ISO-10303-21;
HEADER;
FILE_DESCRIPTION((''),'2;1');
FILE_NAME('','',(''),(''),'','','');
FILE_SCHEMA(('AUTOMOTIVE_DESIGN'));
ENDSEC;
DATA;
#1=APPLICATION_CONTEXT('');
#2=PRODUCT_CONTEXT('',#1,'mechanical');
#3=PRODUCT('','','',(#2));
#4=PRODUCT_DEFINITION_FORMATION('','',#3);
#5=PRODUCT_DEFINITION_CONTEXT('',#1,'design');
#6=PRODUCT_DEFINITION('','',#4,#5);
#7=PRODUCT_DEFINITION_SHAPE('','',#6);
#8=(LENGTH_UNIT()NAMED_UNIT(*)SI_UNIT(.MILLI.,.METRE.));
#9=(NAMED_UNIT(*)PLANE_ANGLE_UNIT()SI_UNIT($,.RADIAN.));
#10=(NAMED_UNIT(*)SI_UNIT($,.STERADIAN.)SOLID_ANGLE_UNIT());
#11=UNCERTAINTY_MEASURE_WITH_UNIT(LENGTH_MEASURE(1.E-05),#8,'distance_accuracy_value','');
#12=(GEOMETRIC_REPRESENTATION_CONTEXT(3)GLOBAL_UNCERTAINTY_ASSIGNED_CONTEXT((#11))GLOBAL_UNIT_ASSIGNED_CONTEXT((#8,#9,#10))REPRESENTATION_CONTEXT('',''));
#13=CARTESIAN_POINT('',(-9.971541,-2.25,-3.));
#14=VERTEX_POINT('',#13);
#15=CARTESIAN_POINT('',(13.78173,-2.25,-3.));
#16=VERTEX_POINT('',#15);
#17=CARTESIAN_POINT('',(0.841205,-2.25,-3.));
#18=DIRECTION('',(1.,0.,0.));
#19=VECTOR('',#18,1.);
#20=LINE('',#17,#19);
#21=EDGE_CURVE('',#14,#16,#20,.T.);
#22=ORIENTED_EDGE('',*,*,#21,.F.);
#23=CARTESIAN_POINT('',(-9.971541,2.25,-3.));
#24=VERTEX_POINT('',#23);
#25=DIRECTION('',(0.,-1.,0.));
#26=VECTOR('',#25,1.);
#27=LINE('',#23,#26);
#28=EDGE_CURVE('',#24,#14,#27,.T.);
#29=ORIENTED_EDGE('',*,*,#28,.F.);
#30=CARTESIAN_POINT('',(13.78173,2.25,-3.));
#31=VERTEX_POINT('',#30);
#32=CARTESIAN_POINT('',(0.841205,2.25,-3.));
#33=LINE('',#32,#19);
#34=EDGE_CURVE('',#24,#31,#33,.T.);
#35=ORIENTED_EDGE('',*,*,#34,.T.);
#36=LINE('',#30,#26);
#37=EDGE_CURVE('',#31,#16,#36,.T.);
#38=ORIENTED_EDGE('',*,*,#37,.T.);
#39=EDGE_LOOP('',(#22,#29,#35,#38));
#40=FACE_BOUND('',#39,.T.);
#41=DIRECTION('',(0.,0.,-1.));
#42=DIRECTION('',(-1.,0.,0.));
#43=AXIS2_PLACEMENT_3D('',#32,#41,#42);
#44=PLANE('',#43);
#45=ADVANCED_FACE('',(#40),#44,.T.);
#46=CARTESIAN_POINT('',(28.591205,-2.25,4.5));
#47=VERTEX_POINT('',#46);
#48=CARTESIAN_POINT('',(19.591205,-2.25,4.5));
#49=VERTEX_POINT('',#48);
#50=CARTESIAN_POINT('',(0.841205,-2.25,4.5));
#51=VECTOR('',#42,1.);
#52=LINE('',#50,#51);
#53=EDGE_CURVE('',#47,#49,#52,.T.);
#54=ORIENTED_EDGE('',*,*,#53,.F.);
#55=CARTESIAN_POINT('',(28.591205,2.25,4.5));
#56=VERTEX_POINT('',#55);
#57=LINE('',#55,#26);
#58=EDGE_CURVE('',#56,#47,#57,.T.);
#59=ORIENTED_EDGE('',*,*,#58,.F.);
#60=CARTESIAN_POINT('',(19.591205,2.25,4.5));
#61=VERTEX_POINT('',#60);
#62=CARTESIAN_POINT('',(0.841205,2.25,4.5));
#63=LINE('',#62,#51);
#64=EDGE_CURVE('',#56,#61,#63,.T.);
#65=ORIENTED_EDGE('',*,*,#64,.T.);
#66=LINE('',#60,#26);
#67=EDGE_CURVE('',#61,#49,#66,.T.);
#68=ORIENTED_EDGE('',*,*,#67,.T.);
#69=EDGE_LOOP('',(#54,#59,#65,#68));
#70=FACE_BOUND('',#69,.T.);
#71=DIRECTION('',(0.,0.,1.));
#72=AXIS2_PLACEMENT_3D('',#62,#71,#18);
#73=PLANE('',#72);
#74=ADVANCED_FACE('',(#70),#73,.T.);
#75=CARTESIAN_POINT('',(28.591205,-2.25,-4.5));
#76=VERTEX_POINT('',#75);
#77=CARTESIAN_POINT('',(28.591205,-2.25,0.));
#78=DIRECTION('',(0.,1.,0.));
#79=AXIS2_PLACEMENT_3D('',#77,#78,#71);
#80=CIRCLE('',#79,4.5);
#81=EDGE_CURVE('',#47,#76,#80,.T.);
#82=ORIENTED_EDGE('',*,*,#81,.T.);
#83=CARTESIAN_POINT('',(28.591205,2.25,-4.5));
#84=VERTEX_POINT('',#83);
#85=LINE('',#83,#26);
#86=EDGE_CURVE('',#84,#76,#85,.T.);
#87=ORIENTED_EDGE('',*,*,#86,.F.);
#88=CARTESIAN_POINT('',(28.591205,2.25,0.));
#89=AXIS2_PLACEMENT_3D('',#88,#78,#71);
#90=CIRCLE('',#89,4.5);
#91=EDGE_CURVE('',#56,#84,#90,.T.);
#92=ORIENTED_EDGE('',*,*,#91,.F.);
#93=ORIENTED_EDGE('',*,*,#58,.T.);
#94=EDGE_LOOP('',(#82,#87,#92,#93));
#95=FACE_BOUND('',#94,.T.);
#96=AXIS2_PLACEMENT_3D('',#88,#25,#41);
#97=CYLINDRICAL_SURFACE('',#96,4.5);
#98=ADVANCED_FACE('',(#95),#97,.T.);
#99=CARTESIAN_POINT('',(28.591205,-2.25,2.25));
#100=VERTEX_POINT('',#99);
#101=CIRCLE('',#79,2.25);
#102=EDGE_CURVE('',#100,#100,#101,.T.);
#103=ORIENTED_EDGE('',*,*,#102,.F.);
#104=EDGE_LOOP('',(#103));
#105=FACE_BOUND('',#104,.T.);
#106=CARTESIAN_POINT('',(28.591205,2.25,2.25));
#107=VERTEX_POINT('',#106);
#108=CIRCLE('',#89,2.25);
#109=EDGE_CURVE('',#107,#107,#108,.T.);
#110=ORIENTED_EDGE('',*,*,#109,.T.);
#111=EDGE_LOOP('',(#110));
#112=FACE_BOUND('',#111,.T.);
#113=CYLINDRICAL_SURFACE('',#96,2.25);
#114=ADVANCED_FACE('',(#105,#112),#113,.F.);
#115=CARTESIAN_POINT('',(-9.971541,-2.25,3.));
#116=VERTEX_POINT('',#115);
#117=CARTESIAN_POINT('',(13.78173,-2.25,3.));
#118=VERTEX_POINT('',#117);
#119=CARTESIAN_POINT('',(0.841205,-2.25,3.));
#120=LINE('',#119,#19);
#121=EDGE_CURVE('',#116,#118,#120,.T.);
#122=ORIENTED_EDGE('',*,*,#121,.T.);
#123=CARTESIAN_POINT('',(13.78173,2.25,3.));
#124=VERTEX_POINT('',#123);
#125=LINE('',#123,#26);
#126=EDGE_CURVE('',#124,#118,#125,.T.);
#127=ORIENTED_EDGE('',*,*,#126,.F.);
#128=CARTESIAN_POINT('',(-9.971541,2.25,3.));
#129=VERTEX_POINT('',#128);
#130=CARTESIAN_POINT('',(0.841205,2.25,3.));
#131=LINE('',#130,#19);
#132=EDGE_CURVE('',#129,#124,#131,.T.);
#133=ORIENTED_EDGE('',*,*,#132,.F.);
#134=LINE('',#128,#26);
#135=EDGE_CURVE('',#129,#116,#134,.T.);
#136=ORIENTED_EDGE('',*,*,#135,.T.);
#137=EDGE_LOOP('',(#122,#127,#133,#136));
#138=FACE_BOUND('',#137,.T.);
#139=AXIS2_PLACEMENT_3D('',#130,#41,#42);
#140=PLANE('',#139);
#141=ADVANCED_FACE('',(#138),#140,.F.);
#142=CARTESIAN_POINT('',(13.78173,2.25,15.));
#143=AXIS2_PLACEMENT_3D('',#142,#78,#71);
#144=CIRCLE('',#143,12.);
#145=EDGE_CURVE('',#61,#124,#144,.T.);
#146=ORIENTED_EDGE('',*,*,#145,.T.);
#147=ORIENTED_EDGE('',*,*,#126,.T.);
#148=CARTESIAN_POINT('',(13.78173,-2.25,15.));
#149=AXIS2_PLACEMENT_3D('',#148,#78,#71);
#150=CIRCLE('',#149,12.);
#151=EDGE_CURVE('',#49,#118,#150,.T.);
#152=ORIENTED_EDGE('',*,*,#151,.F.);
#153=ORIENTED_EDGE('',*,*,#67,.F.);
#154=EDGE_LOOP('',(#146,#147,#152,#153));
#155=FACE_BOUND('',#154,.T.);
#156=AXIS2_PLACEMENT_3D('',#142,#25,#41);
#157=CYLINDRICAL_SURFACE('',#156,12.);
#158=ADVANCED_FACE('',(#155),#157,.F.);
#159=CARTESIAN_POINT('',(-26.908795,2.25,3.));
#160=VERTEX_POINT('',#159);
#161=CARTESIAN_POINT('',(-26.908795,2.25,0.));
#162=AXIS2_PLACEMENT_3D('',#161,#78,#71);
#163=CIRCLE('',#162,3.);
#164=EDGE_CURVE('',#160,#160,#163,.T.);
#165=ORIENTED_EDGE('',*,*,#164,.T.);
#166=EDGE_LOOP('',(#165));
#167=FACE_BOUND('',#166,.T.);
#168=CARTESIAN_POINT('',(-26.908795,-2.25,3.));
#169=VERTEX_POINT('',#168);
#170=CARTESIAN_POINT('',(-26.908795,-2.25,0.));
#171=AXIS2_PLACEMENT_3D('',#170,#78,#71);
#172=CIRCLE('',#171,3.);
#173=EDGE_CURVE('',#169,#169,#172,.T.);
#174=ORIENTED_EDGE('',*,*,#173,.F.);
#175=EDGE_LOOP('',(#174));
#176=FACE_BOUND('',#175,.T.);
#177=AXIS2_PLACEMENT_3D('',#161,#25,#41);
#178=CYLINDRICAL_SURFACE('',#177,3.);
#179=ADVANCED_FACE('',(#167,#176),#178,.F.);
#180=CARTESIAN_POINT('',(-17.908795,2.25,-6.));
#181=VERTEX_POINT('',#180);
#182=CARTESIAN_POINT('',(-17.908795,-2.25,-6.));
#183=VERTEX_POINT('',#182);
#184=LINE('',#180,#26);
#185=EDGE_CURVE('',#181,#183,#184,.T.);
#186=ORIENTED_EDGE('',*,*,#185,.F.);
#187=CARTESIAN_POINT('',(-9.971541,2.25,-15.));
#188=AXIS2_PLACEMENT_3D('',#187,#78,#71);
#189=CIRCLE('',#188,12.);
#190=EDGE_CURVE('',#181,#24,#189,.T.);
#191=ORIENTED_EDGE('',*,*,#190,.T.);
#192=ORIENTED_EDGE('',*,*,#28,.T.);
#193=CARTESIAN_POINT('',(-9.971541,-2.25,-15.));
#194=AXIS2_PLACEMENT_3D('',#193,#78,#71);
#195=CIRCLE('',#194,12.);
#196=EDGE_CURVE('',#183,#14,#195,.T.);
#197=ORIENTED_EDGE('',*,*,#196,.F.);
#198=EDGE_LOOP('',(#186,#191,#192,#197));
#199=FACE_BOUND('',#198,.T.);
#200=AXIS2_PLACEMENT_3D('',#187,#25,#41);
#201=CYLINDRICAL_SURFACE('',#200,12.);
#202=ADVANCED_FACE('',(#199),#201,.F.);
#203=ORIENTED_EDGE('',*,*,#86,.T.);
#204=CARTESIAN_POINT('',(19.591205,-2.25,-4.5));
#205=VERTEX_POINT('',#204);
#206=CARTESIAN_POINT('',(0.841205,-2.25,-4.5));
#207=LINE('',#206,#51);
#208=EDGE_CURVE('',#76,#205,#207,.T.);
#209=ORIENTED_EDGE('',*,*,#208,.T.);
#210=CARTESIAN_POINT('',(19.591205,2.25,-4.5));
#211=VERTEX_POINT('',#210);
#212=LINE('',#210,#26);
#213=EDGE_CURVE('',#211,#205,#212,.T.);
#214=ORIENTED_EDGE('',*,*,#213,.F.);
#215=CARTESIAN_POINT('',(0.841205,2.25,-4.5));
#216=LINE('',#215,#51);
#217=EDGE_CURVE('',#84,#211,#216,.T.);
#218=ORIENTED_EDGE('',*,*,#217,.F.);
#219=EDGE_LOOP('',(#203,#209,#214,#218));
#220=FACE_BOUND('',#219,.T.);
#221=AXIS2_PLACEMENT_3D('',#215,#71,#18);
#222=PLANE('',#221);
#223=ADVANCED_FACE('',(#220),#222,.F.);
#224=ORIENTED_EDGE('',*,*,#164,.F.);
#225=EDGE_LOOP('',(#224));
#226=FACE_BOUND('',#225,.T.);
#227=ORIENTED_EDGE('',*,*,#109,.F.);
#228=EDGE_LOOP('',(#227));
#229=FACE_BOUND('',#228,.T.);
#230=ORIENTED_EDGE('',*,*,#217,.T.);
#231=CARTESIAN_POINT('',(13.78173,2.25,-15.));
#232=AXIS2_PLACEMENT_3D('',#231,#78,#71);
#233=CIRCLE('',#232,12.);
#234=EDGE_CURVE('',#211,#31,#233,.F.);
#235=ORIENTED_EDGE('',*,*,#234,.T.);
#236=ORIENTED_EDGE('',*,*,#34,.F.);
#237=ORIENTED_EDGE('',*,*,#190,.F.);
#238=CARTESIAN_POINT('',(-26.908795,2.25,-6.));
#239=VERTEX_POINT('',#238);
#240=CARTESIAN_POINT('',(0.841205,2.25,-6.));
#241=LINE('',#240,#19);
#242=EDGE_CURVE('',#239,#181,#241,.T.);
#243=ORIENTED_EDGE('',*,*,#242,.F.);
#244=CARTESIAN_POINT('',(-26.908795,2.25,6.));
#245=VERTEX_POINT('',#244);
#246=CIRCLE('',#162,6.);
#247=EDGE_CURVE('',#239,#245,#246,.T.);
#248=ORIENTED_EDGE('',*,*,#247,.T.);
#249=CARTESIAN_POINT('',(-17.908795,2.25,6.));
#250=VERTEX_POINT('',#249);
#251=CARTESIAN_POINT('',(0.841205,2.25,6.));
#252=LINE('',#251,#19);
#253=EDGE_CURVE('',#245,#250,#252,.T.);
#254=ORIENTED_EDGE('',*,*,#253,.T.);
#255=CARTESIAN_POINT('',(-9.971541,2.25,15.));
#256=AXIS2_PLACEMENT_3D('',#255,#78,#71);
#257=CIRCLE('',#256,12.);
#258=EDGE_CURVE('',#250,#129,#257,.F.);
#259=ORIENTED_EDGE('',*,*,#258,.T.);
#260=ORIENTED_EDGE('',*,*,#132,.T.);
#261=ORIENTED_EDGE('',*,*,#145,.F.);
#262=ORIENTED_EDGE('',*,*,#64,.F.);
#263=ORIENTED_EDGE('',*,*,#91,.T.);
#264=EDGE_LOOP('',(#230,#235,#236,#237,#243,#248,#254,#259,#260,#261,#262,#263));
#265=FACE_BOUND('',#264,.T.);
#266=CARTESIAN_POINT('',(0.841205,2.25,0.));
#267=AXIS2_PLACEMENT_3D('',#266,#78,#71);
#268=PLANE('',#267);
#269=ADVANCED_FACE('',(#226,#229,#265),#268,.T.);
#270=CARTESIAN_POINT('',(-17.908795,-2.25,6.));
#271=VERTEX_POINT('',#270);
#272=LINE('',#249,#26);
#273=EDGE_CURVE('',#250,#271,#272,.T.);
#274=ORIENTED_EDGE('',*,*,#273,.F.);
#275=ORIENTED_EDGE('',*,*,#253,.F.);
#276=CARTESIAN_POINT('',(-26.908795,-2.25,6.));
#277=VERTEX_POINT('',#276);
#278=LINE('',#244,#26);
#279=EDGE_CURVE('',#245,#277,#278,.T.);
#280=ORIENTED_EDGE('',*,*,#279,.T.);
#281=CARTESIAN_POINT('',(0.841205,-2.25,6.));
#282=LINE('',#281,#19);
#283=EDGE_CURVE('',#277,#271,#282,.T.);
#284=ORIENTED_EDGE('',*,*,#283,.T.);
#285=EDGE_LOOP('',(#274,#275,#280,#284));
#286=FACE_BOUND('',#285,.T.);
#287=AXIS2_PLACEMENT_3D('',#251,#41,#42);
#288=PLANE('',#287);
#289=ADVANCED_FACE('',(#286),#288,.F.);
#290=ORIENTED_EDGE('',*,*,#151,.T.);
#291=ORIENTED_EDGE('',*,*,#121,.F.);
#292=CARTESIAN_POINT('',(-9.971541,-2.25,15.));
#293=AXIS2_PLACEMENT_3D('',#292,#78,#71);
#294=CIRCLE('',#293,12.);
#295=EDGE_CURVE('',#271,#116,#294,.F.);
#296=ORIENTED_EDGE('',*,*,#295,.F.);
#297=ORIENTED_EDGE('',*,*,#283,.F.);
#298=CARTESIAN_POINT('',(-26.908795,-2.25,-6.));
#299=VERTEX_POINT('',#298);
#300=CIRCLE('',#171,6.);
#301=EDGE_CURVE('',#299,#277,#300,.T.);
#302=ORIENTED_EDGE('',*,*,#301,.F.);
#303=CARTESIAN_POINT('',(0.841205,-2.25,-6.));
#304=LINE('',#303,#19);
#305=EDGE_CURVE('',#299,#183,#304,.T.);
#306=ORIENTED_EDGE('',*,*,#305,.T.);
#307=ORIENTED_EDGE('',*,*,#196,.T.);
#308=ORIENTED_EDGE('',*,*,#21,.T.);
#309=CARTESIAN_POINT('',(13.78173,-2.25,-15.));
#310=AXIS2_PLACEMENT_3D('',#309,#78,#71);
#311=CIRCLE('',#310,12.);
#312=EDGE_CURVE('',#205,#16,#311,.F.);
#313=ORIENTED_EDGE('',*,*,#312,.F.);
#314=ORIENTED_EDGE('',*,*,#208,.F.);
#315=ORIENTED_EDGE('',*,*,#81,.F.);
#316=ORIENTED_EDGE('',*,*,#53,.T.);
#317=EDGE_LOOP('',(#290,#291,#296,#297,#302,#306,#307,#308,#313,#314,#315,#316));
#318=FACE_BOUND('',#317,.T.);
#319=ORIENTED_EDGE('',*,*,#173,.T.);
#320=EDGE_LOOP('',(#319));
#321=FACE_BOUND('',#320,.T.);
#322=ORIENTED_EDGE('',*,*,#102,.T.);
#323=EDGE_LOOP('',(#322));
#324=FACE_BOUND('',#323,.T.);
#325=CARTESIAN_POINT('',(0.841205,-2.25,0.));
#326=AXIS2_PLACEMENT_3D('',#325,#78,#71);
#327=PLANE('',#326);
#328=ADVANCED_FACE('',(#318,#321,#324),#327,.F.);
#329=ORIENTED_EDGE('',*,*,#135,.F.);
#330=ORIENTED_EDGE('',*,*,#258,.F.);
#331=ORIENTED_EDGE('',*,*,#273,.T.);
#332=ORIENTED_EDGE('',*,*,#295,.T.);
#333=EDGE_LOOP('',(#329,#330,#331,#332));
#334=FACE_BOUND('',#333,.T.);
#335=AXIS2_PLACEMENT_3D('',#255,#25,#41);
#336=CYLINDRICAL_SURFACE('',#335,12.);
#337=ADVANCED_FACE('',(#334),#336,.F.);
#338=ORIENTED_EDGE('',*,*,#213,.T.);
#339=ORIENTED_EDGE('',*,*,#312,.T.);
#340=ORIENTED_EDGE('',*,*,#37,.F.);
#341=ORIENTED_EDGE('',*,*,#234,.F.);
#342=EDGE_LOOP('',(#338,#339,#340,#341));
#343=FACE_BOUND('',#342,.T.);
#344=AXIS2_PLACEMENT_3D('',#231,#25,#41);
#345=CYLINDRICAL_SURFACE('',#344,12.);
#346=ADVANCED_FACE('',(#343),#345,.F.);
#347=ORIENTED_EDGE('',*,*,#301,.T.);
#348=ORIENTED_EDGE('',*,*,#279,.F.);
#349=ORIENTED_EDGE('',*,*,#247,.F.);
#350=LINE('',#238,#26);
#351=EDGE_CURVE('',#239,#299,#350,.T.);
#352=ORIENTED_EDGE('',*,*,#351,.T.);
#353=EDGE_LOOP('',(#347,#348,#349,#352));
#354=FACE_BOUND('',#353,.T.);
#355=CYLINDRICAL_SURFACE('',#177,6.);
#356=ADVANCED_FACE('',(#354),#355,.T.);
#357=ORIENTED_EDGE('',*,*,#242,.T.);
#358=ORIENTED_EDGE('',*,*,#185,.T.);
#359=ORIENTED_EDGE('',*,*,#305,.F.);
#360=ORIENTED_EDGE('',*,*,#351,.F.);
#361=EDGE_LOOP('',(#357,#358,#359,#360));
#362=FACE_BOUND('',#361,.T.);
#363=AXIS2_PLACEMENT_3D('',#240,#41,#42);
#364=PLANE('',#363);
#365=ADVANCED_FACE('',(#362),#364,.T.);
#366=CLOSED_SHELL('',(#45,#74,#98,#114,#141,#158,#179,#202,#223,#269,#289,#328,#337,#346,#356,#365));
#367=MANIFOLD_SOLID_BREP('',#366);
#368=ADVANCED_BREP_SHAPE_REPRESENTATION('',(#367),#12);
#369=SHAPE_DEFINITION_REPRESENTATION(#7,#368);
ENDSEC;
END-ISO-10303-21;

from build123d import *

# Parameters (mm, degrees)
SKETCH1_R           = 2
SKETCH1_R_2         = 1.5
BOSS_EXTRUDE1_DEPTH = 1.5
SCALE1_SCALE        = 1.5


with BuildPart() as part:
    # Sketch1 → Boss-Extrude1 (new, symmetric)
    with BuildSketch(Plane(origin=(0, 0, 0), x_dir=(1, 0, 0), z_dir=(0, 1, 0))):
        with BuildLine():
            ThreePointArc((-18.5, 4), (-22.5, 0), (-18.5, -4))
            Line((-18.5, -4), (-12.5, -4))
            ThreePointArc((-12.5, -4), (-10.036924503, -2.516685226), (-7.208497378, -2))
            Line((-7.208497378, -2), (8.627016654, -2))
            ThreePointArc((8.627016654, -2), (10.627016654, -2.254033308), (12.5, -3))
            Line((12.5, -3), (18.5, -3))
            ThreePointArc((18.5, -3), (21.5, 0), (18.5, 3))
            Line((18.5, 3), (12.5, 3))
            ThreePointArc((12.5, 3), (10.627016654, 2.254033308), (8.627016654, 2))
            Line((8.627016654, 2), (-7.208497378, 2))
            ThreePointArc((-7.208497378, 2), (-10.036924503, 2.516685226), (-12.5, 4))
            Line((-12.5, 4), (-18.5, 4))
        make_face()
        with Locations(Location((-18.5, 0, 0), (0, 0, 270))):
            Circle(SKETCH1_R, mode=Mode.SUBTRACT)
        with Locations(Location((18.5, 0, 0), (0, 0, 270))):
            Circle(SKETCH1_R_2, mode=Mode.SUBTRACT)
    extrude(amount=BOSS_EXTRUDE1_DEPTH, both=True)


with BuildPart() as part_1:
    # Scale1: scaled about (-1.682409561, 0, 0)
    add(part.part.scale(SCALE1_SCALE).moved(Location((0.841204781, 0, 0))))


solid = part_1.part
